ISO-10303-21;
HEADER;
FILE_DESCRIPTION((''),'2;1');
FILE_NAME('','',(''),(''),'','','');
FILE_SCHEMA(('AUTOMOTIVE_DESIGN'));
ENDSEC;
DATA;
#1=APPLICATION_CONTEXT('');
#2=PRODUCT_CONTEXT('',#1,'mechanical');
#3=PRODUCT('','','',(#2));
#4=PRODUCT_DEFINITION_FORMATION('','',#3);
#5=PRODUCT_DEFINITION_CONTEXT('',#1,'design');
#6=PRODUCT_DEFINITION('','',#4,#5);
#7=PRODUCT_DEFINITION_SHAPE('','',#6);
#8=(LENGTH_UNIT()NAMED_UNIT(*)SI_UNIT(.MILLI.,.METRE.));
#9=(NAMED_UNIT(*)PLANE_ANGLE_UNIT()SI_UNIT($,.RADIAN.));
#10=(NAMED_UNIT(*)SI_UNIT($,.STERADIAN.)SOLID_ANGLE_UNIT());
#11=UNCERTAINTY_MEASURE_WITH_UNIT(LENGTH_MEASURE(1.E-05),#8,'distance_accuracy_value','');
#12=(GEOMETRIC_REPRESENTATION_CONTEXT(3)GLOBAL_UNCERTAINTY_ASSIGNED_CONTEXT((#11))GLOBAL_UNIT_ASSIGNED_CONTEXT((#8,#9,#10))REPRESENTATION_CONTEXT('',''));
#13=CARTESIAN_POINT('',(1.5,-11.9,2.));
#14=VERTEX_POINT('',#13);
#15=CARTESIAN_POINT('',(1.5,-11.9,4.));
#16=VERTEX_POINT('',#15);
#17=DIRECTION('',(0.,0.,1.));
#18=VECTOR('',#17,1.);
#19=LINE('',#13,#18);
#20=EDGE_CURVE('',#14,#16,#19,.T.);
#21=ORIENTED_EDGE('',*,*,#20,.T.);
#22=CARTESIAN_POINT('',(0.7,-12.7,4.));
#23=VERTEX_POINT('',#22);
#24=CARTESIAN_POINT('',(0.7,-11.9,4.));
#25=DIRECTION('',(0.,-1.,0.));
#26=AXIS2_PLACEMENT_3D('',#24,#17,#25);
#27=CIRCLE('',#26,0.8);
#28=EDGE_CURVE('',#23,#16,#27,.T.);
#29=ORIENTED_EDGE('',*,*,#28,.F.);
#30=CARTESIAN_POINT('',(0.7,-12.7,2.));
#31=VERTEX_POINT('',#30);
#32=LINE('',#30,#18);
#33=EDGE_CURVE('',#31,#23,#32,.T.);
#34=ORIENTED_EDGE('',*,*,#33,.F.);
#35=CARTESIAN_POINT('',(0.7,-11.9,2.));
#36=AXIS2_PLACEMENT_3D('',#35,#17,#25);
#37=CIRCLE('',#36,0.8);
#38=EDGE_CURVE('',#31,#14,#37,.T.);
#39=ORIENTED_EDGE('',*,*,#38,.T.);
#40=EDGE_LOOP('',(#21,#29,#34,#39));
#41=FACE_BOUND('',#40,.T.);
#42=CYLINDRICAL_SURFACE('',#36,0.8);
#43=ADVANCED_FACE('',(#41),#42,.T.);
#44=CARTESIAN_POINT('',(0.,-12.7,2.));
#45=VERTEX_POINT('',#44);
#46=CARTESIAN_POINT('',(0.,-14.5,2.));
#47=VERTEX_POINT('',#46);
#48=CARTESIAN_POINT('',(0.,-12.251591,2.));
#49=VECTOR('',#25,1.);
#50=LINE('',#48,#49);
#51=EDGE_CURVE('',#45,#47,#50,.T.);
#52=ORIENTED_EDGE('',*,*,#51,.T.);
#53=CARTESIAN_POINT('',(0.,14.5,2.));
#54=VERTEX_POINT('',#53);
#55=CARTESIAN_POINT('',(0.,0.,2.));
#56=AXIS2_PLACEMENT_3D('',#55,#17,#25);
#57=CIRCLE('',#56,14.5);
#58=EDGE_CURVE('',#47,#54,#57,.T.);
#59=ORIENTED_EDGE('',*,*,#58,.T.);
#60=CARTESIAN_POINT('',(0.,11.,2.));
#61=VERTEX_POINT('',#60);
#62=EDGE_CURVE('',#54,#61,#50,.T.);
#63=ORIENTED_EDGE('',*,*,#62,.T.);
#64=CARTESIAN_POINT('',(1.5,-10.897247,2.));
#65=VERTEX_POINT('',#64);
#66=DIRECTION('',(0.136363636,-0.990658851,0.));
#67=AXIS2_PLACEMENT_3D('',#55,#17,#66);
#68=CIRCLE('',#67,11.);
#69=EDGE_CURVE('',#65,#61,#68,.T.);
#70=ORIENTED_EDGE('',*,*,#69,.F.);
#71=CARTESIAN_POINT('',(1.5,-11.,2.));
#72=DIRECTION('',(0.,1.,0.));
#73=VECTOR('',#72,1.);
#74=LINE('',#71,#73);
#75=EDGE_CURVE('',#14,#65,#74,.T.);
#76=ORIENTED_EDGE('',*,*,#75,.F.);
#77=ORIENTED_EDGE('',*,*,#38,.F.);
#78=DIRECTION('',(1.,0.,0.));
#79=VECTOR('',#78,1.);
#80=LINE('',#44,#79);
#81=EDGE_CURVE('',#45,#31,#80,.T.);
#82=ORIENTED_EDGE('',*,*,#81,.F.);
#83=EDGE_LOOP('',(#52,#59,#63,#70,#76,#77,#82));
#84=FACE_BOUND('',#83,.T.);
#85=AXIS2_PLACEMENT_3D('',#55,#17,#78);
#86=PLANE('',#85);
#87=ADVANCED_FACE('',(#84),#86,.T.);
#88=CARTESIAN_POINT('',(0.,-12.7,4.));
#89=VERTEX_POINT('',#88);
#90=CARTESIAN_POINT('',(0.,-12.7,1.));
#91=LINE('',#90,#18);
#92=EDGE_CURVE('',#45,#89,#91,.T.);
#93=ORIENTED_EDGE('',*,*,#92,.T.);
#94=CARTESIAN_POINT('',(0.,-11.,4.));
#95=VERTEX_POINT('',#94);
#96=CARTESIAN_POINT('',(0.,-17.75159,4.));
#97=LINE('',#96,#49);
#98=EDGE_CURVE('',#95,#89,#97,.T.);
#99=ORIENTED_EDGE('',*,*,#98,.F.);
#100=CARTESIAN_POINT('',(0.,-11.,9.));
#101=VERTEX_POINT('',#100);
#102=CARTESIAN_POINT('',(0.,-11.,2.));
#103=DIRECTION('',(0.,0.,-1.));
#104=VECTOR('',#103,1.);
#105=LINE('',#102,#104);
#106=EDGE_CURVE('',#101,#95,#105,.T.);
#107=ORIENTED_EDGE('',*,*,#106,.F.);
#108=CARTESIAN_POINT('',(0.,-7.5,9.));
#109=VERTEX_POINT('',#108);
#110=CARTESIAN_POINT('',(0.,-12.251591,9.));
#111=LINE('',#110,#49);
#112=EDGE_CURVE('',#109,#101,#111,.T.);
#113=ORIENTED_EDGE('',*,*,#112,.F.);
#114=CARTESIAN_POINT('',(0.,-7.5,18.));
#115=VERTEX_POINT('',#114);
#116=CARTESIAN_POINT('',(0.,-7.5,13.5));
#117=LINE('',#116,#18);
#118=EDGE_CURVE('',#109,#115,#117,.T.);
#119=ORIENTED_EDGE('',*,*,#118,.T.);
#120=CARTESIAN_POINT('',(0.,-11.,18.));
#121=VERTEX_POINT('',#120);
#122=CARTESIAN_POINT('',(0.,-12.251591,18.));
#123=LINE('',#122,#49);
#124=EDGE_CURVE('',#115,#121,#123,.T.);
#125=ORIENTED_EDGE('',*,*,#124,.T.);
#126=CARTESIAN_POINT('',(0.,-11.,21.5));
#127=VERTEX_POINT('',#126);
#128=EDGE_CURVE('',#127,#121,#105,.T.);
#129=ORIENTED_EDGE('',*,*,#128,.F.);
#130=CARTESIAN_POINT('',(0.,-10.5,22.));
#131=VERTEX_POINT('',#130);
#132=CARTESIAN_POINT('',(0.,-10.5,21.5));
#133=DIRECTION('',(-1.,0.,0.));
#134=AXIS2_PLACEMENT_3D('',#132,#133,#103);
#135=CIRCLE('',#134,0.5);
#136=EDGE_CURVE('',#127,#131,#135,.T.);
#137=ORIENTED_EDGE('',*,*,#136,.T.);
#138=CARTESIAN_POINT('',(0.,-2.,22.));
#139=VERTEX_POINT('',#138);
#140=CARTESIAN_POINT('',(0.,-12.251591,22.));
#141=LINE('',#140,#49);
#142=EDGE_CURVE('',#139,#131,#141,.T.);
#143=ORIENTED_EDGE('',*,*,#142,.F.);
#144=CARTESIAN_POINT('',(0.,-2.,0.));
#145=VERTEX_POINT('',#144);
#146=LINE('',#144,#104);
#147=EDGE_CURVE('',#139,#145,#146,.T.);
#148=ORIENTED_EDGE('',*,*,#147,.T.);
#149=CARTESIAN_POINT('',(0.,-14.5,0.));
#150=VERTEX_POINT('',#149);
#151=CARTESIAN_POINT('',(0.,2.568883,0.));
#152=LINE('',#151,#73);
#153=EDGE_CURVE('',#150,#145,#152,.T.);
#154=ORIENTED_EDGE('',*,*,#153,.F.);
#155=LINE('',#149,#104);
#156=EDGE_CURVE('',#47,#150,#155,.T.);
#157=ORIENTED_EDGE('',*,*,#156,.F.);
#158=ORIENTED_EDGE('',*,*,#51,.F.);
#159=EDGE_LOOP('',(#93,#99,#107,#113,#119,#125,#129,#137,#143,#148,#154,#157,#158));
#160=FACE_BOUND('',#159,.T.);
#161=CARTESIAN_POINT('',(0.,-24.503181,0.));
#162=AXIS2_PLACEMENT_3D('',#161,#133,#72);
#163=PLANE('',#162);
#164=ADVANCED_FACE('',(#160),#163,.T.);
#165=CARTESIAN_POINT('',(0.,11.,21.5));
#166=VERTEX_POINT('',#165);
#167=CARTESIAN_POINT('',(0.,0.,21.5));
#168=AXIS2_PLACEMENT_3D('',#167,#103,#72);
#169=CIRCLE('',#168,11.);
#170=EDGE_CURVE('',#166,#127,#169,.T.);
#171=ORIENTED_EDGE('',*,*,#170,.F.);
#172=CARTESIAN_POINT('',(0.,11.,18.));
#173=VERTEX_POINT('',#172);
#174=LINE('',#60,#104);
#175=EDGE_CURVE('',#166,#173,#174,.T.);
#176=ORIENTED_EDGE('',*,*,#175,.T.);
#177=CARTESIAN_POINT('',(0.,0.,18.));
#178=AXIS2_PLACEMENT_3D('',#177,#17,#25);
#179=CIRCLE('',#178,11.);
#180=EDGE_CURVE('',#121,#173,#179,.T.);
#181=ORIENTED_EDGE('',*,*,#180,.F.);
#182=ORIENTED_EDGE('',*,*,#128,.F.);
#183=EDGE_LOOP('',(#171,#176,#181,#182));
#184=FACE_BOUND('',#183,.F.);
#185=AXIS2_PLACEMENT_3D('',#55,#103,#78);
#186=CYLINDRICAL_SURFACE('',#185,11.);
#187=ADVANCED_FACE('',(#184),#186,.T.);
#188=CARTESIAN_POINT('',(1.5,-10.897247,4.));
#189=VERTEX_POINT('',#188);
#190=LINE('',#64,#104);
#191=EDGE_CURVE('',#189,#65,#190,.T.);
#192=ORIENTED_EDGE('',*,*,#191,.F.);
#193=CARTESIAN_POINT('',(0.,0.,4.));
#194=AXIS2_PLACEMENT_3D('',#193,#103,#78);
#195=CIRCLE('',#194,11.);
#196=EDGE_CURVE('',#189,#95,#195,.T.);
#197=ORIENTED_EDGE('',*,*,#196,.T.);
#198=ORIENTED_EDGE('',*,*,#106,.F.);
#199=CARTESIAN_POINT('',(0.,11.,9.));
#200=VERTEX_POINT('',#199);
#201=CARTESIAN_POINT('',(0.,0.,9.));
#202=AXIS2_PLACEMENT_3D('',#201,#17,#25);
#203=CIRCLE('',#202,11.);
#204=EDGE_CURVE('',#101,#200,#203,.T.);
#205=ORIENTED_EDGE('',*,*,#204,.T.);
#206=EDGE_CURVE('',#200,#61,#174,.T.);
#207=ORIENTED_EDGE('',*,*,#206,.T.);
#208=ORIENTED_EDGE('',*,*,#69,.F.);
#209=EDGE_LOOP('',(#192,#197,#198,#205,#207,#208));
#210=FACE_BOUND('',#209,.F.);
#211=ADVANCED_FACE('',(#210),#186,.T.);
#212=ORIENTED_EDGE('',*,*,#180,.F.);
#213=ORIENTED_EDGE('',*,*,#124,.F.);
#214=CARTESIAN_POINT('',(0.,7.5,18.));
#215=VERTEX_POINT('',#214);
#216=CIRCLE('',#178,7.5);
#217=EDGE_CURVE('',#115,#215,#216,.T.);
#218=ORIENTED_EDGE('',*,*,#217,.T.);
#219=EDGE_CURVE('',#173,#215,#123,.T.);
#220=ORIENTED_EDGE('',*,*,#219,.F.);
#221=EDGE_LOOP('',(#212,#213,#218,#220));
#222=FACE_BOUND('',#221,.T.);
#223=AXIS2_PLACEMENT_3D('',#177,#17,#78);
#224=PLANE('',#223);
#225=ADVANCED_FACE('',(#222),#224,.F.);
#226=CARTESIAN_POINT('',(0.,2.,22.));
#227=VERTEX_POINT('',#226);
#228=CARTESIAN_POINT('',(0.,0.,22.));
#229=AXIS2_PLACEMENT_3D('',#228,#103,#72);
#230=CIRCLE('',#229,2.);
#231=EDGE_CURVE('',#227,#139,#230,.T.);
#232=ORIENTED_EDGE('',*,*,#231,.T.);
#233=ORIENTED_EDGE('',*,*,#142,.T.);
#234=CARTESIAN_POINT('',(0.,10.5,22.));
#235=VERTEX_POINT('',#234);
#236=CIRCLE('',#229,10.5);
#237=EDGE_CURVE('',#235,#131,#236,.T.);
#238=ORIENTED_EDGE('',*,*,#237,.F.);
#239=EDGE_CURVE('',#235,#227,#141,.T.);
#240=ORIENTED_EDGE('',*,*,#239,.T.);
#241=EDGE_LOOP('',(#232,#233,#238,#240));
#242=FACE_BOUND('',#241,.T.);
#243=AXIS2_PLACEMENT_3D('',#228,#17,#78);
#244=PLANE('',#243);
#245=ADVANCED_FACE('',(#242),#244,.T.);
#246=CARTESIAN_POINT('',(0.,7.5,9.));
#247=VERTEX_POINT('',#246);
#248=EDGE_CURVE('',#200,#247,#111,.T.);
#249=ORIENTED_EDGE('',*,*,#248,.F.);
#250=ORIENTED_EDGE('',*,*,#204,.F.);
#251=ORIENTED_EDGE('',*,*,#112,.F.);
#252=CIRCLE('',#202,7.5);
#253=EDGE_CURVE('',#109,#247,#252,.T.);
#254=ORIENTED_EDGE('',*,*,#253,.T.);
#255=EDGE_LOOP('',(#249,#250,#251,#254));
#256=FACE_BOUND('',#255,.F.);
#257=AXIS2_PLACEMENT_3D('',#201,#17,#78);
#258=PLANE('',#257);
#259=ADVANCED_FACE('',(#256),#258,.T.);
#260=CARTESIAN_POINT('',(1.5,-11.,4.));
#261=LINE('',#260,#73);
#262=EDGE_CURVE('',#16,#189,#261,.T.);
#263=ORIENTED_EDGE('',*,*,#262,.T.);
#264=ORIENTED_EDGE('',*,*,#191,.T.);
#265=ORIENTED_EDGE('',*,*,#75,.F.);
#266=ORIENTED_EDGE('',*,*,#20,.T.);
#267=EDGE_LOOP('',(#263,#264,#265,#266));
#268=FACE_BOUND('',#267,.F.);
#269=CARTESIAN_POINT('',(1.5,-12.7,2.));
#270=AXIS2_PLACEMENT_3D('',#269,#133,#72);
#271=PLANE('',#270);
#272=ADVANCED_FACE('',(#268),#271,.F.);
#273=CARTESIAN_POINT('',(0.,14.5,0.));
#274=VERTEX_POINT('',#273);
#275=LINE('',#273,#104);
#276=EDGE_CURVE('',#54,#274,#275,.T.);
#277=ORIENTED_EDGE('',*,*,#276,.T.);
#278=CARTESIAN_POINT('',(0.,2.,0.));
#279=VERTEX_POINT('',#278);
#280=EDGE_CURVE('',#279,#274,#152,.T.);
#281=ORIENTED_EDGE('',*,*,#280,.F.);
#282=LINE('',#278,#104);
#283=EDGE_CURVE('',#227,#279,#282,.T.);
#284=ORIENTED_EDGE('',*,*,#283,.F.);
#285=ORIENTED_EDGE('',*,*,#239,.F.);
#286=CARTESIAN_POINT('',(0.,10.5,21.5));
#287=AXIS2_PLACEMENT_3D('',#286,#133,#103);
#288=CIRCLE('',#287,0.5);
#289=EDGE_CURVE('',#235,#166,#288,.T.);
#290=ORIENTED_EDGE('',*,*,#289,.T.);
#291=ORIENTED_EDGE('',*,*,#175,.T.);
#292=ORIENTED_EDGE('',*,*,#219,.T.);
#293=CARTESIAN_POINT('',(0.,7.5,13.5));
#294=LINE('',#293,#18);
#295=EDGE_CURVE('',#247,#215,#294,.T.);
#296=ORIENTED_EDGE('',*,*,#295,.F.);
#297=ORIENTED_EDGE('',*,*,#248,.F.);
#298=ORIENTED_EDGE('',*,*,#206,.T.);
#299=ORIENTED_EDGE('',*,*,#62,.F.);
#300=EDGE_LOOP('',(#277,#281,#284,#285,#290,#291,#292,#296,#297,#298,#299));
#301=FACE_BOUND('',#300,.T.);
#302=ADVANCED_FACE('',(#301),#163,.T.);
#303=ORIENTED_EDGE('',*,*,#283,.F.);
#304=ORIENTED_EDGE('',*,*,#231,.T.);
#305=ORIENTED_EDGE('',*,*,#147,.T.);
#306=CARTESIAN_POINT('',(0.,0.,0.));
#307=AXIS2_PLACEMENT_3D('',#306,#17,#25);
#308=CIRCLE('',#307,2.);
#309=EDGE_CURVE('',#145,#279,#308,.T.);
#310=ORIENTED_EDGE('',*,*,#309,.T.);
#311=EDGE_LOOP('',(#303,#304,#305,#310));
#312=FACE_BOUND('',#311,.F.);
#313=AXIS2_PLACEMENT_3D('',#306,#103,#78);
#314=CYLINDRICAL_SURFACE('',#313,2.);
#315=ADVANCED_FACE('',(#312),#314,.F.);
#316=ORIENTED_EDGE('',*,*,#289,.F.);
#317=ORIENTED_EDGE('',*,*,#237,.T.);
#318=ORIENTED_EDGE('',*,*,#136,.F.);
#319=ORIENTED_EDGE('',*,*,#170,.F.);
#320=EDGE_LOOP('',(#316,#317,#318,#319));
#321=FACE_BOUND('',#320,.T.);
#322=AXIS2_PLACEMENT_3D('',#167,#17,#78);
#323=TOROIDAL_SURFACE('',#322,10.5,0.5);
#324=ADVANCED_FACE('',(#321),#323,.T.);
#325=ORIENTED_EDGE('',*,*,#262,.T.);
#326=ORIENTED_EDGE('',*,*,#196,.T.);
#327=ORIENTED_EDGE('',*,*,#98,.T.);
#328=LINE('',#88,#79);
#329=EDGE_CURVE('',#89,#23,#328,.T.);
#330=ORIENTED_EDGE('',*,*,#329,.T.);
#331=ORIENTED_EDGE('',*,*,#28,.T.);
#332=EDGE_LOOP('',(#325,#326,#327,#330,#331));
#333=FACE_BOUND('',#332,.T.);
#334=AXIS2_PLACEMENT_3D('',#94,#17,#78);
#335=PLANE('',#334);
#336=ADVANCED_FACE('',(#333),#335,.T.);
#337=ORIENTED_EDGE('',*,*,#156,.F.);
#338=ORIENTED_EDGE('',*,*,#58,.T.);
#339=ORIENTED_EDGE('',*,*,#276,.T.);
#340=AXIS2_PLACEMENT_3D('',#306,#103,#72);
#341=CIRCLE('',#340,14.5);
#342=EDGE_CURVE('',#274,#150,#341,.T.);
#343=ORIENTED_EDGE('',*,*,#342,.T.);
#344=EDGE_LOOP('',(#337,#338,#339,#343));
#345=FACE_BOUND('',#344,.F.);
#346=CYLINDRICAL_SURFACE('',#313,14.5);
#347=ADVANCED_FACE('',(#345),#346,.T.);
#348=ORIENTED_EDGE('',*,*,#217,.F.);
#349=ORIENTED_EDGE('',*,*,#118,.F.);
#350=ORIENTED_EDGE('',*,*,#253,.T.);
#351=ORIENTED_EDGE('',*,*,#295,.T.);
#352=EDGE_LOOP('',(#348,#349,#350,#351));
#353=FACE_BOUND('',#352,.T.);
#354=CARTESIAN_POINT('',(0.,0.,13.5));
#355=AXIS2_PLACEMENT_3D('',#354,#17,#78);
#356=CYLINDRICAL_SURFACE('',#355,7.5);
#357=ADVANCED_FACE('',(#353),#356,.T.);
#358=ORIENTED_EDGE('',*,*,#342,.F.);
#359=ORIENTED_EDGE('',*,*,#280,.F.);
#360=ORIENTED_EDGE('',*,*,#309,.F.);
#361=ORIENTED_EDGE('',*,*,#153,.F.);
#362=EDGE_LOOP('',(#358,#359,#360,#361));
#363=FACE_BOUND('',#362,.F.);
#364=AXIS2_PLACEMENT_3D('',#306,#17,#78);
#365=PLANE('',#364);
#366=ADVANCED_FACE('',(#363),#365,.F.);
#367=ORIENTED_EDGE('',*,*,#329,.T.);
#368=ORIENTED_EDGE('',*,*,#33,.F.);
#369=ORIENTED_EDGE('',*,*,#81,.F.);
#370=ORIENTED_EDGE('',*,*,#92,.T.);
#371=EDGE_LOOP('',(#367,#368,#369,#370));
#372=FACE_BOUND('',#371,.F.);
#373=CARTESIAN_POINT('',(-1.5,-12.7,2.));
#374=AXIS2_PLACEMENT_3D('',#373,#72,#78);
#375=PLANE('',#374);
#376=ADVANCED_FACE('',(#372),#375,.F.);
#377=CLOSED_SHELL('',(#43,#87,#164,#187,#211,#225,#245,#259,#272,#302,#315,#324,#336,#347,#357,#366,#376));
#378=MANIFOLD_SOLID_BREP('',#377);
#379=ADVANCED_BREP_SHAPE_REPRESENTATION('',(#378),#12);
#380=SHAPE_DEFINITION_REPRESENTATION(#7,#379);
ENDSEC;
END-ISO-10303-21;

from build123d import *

# Parameters (mm, degrees)
F0_R      = 14.5
F1_DEPTH  = 2
F2_R      = 11
F3_DEPTH  = 20
F4_R      = 2
F5_DEPTH  = 22.001
F6_W      = 3
F6_H      = 3.4
F7_DEPTH  = 2
F8_R      = 0.8
F9_R      = 0.5
F11_W     = 28.85052
F11_H     = 54.144128
F12_DEPTH = 22.001
F14_W     = 3.5
F14_H     = 9


with BuildPart() as f1:
    # F0 (on Top) → F1 (new body)
    with BuildSketch(Plane.XY):
        Circle(F0_R)
    extrude(amount=F1_DEPTH)

    # F2 (on face) → F3 (join)
    with BuildSketch(Plane.XY.offset(2)):
        Circle(F2_R)
    extrude(amount=F3_DEPTH)

    # F4 (on face) → F5 (cut, through all)
    with BuildSketch(Plane(origin=(0, 0, 0), x_dir=(1, 0, 0), z_dir=(0, 0, -1))):
        Circle(F4_R)
    extrude(amount=-F5_DEPTH, mode=Mode.SUBTRACT)

    # F6 (on face) → F7 (join)
    with BuildSketch(Plane.XY.offset(2)):
        with Locations((0, -11)):
            Rectangle(F6_W, F6_H)
    extrude(amount=F7_DEPTH)

    # F8
    f8_edges = [f1.edges().sort_by_distance(p)[0] for p in [
        (-1.5, -12.7, 3),
        (1.5, -12.7, 3),
    ]]
    fillet(f8_edges, radius=F8_R)

    # F9
    f9_edges = [f1.edges().sort_by_distance(p)[0] for p in [
        (-11, 0, 22),
    ]]
    fillet(f9_edges, radius=F9_R)

    # F11 (on Top) → F12 (cut, through all)
    with BuildSketch(Plane.XY):
        with Locations((-14.42526, 2.568883)):
            Rectangle(F11_W, F11_H)
    extrude(amount=F12_DEPTH, mode=Mode.SUBTRACT)

    # F14 (on Front) → F15 (revolve, cut)
    with BuildSketch(Plane.XZ):
        with Locations((9.25, 13.5)):
            Rectangle(F14_W, F14_H)
    revolve(axis=Axis((0, 0, 13.307823), (0, 0, 1)), mode=Mode.SUBTRACT)


solid = f1.part
